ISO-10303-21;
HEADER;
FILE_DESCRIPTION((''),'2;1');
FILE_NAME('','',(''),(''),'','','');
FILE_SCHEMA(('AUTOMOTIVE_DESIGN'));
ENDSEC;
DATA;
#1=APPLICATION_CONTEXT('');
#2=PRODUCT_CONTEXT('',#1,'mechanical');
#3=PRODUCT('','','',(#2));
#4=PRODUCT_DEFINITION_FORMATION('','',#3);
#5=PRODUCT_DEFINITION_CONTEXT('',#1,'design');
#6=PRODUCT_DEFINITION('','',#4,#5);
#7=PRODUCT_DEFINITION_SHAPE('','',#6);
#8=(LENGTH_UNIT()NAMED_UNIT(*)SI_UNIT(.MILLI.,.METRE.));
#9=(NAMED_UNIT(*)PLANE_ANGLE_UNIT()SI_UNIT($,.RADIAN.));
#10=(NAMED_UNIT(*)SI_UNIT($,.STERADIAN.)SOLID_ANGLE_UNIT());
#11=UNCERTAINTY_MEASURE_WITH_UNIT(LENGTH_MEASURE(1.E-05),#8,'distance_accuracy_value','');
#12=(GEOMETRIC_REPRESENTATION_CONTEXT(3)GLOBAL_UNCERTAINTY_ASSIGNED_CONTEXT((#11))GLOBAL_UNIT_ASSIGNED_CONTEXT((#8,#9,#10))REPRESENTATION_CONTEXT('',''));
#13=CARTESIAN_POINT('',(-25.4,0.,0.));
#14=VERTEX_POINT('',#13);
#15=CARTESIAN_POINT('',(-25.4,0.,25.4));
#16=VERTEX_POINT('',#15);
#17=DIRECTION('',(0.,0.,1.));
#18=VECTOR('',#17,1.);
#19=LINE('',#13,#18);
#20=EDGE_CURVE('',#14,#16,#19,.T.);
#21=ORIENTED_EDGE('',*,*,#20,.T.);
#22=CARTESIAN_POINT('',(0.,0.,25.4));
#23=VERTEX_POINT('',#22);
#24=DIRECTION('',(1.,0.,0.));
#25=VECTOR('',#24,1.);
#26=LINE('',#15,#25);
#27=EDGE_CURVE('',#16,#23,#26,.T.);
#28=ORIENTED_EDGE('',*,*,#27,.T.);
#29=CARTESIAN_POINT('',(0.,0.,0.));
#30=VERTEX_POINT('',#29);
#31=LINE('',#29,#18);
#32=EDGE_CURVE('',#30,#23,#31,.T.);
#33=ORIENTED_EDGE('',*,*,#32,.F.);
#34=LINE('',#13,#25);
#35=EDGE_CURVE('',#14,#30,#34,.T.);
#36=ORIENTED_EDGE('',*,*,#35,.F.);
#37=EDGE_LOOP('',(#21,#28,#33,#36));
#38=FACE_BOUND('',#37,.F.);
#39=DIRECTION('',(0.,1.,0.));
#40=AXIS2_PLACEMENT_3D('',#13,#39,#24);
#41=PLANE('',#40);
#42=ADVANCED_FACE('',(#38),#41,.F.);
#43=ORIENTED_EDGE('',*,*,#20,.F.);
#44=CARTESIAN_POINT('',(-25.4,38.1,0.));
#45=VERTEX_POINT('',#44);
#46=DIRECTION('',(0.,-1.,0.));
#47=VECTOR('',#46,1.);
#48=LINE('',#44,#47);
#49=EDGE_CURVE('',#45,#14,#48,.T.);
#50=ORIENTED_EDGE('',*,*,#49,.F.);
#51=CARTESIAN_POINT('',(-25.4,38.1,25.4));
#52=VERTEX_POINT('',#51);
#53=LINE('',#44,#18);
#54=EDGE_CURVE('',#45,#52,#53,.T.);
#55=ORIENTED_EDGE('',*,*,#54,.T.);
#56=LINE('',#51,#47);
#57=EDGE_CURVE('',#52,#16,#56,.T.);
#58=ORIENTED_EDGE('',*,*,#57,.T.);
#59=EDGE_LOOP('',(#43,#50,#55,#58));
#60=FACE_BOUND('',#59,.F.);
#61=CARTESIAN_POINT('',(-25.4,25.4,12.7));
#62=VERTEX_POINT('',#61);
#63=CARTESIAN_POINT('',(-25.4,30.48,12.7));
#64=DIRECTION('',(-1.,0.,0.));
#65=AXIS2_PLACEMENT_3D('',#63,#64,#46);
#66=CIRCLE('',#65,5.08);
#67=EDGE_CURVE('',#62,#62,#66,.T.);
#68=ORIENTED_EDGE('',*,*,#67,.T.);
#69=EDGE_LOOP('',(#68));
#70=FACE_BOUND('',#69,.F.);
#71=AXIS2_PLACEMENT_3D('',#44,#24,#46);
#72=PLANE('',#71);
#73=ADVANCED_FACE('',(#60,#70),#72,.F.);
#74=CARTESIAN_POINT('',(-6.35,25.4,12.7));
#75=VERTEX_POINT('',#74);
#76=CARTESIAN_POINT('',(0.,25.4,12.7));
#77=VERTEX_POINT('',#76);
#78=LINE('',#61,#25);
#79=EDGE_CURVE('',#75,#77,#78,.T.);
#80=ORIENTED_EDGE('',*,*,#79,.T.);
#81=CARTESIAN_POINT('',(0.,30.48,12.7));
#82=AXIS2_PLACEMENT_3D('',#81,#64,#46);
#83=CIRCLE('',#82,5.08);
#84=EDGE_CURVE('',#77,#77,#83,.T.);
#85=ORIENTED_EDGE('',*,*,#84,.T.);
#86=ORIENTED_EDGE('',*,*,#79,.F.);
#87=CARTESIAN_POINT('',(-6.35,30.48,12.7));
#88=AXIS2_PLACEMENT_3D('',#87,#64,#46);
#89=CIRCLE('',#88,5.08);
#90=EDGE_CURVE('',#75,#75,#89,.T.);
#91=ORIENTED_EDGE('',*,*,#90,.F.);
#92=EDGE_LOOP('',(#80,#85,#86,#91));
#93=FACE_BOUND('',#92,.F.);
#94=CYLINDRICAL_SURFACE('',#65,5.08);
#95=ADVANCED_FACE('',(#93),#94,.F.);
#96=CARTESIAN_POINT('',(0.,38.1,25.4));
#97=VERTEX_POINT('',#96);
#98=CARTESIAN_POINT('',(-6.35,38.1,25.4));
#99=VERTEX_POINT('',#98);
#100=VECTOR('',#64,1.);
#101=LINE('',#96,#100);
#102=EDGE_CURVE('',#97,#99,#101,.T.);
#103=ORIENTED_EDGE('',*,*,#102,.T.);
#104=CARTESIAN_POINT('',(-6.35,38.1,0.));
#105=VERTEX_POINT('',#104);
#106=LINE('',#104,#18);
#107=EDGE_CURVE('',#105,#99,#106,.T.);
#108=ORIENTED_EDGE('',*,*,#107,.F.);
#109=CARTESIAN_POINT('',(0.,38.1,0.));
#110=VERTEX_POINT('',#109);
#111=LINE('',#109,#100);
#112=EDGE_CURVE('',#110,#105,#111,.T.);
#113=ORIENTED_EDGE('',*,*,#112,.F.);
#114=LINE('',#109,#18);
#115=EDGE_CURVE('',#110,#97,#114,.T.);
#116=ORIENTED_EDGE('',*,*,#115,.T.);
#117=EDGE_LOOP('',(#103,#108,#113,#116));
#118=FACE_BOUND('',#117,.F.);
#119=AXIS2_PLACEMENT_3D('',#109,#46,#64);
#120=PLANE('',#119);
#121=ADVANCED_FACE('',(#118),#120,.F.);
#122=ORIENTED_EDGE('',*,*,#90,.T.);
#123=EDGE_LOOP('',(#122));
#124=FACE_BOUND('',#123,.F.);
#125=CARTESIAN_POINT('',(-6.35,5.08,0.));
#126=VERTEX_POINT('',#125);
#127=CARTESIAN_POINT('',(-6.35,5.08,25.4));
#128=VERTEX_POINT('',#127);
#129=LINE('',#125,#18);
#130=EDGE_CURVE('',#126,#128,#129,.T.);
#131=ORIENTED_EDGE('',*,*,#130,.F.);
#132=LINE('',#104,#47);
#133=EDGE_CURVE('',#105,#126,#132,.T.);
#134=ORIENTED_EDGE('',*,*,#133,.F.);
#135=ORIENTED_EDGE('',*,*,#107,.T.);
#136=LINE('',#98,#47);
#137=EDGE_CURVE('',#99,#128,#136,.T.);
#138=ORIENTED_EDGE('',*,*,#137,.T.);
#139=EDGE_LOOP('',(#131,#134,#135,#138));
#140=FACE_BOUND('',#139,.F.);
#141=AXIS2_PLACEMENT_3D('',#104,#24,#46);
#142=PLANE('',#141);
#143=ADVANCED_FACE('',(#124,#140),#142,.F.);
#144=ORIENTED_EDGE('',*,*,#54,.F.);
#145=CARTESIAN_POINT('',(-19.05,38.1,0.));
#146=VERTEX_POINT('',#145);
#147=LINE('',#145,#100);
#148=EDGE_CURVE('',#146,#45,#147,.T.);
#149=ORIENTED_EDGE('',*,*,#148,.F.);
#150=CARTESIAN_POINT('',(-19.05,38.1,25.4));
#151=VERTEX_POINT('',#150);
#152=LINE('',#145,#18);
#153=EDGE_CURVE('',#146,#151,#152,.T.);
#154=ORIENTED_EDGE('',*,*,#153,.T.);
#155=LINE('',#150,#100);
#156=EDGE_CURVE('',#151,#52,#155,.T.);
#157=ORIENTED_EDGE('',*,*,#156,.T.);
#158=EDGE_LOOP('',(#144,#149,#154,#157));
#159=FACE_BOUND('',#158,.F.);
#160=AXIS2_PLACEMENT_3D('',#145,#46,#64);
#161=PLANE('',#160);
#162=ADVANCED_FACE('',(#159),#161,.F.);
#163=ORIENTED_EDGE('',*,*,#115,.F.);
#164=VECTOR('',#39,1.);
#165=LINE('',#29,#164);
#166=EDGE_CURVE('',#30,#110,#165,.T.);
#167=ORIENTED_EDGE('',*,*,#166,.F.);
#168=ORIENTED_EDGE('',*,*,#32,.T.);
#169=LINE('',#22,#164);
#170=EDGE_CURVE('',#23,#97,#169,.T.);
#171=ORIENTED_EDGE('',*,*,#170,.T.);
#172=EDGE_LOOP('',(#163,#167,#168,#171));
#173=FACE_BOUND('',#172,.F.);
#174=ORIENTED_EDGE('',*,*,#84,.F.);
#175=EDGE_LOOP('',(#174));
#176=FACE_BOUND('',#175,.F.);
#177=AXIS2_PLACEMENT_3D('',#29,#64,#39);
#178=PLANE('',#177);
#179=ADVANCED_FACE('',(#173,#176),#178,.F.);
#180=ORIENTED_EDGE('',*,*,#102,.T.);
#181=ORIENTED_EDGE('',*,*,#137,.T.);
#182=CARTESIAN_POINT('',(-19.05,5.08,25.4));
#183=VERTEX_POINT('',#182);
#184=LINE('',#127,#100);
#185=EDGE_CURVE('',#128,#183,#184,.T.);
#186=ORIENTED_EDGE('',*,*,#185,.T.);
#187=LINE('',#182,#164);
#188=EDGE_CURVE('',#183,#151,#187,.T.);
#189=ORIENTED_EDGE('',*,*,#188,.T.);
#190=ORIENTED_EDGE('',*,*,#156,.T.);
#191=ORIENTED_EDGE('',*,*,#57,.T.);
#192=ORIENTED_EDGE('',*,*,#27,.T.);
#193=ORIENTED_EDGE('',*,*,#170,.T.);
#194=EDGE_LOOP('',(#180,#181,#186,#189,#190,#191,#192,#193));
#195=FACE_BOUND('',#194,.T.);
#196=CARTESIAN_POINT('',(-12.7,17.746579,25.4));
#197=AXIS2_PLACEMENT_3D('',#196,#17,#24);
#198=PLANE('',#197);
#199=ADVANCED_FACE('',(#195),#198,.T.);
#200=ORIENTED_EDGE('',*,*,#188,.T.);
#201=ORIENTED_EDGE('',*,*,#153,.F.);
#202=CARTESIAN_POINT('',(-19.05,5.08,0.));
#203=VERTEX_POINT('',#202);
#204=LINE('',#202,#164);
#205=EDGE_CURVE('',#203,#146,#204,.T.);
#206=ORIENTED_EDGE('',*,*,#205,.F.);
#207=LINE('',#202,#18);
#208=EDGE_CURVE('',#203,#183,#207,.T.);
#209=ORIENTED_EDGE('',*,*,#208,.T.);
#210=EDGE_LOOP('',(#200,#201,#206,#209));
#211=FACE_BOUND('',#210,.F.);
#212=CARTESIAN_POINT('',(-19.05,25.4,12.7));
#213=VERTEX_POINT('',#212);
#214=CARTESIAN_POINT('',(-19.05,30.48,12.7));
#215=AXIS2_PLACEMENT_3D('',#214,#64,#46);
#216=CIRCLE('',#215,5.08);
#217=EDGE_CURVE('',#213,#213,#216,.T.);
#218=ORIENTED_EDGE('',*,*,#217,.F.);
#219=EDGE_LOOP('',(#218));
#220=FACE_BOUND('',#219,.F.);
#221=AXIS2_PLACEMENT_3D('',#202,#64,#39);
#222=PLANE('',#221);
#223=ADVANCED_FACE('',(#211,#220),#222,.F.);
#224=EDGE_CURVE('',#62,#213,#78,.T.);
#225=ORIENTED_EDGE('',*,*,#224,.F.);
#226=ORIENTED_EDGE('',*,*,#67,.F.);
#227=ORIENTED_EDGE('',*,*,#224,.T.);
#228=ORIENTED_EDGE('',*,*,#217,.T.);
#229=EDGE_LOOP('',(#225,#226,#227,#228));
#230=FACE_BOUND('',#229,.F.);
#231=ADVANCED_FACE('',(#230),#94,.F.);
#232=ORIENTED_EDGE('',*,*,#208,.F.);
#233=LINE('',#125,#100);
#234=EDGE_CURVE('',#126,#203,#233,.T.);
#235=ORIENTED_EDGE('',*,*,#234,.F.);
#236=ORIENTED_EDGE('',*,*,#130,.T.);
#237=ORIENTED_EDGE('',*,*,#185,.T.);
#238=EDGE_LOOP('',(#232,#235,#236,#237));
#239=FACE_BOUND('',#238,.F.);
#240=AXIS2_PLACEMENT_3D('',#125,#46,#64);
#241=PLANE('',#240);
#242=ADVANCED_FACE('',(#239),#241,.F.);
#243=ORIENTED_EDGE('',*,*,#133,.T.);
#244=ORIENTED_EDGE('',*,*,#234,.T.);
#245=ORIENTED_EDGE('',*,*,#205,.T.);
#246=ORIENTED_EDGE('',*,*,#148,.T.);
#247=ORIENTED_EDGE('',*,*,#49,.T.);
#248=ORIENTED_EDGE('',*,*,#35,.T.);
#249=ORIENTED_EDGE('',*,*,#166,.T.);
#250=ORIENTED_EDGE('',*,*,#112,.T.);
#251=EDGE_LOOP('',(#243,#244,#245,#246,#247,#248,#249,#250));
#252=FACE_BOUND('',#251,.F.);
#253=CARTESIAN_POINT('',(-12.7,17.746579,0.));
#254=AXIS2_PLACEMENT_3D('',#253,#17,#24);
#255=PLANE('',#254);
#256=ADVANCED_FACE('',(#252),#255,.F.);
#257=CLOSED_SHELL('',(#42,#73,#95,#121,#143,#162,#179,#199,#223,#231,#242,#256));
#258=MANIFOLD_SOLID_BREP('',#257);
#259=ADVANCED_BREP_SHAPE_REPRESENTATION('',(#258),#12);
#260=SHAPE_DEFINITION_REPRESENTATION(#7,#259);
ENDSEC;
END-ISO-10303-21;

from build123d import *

# Parameters (mm, degrees)
F1_DEPTH = 25.4
F2_R     = 5.08
F3_DEPTH = 25.4


with BuildPart() as f1:
    # F0 (on Top) → F1 (new body)
    with BuildSketch(Plane.XY):
        Polygon((-19.05, 38.1), (-25.4, 38.1), (-25.4, 0), (0, 0), (0, 38.1), (-6.35, 38.1), (-6.35, 5.08), (-19.05, 5.08), align=None)
    extrude(amount=F1_DEPTH)

    # F2 (on face) → F3 (cut)
    with BuildSketch(Plane(origin=(-25.4, 0, 0), x_dir=(0, -1, 0), z_dir=(-1, 0, 0))):
        with Locations((-30.48, 12.7)):
            Circle(F2_R)
    extrude(amount=-F3_DEPTH, mode=Mode.SUBTRACT)


solid = f1.part
